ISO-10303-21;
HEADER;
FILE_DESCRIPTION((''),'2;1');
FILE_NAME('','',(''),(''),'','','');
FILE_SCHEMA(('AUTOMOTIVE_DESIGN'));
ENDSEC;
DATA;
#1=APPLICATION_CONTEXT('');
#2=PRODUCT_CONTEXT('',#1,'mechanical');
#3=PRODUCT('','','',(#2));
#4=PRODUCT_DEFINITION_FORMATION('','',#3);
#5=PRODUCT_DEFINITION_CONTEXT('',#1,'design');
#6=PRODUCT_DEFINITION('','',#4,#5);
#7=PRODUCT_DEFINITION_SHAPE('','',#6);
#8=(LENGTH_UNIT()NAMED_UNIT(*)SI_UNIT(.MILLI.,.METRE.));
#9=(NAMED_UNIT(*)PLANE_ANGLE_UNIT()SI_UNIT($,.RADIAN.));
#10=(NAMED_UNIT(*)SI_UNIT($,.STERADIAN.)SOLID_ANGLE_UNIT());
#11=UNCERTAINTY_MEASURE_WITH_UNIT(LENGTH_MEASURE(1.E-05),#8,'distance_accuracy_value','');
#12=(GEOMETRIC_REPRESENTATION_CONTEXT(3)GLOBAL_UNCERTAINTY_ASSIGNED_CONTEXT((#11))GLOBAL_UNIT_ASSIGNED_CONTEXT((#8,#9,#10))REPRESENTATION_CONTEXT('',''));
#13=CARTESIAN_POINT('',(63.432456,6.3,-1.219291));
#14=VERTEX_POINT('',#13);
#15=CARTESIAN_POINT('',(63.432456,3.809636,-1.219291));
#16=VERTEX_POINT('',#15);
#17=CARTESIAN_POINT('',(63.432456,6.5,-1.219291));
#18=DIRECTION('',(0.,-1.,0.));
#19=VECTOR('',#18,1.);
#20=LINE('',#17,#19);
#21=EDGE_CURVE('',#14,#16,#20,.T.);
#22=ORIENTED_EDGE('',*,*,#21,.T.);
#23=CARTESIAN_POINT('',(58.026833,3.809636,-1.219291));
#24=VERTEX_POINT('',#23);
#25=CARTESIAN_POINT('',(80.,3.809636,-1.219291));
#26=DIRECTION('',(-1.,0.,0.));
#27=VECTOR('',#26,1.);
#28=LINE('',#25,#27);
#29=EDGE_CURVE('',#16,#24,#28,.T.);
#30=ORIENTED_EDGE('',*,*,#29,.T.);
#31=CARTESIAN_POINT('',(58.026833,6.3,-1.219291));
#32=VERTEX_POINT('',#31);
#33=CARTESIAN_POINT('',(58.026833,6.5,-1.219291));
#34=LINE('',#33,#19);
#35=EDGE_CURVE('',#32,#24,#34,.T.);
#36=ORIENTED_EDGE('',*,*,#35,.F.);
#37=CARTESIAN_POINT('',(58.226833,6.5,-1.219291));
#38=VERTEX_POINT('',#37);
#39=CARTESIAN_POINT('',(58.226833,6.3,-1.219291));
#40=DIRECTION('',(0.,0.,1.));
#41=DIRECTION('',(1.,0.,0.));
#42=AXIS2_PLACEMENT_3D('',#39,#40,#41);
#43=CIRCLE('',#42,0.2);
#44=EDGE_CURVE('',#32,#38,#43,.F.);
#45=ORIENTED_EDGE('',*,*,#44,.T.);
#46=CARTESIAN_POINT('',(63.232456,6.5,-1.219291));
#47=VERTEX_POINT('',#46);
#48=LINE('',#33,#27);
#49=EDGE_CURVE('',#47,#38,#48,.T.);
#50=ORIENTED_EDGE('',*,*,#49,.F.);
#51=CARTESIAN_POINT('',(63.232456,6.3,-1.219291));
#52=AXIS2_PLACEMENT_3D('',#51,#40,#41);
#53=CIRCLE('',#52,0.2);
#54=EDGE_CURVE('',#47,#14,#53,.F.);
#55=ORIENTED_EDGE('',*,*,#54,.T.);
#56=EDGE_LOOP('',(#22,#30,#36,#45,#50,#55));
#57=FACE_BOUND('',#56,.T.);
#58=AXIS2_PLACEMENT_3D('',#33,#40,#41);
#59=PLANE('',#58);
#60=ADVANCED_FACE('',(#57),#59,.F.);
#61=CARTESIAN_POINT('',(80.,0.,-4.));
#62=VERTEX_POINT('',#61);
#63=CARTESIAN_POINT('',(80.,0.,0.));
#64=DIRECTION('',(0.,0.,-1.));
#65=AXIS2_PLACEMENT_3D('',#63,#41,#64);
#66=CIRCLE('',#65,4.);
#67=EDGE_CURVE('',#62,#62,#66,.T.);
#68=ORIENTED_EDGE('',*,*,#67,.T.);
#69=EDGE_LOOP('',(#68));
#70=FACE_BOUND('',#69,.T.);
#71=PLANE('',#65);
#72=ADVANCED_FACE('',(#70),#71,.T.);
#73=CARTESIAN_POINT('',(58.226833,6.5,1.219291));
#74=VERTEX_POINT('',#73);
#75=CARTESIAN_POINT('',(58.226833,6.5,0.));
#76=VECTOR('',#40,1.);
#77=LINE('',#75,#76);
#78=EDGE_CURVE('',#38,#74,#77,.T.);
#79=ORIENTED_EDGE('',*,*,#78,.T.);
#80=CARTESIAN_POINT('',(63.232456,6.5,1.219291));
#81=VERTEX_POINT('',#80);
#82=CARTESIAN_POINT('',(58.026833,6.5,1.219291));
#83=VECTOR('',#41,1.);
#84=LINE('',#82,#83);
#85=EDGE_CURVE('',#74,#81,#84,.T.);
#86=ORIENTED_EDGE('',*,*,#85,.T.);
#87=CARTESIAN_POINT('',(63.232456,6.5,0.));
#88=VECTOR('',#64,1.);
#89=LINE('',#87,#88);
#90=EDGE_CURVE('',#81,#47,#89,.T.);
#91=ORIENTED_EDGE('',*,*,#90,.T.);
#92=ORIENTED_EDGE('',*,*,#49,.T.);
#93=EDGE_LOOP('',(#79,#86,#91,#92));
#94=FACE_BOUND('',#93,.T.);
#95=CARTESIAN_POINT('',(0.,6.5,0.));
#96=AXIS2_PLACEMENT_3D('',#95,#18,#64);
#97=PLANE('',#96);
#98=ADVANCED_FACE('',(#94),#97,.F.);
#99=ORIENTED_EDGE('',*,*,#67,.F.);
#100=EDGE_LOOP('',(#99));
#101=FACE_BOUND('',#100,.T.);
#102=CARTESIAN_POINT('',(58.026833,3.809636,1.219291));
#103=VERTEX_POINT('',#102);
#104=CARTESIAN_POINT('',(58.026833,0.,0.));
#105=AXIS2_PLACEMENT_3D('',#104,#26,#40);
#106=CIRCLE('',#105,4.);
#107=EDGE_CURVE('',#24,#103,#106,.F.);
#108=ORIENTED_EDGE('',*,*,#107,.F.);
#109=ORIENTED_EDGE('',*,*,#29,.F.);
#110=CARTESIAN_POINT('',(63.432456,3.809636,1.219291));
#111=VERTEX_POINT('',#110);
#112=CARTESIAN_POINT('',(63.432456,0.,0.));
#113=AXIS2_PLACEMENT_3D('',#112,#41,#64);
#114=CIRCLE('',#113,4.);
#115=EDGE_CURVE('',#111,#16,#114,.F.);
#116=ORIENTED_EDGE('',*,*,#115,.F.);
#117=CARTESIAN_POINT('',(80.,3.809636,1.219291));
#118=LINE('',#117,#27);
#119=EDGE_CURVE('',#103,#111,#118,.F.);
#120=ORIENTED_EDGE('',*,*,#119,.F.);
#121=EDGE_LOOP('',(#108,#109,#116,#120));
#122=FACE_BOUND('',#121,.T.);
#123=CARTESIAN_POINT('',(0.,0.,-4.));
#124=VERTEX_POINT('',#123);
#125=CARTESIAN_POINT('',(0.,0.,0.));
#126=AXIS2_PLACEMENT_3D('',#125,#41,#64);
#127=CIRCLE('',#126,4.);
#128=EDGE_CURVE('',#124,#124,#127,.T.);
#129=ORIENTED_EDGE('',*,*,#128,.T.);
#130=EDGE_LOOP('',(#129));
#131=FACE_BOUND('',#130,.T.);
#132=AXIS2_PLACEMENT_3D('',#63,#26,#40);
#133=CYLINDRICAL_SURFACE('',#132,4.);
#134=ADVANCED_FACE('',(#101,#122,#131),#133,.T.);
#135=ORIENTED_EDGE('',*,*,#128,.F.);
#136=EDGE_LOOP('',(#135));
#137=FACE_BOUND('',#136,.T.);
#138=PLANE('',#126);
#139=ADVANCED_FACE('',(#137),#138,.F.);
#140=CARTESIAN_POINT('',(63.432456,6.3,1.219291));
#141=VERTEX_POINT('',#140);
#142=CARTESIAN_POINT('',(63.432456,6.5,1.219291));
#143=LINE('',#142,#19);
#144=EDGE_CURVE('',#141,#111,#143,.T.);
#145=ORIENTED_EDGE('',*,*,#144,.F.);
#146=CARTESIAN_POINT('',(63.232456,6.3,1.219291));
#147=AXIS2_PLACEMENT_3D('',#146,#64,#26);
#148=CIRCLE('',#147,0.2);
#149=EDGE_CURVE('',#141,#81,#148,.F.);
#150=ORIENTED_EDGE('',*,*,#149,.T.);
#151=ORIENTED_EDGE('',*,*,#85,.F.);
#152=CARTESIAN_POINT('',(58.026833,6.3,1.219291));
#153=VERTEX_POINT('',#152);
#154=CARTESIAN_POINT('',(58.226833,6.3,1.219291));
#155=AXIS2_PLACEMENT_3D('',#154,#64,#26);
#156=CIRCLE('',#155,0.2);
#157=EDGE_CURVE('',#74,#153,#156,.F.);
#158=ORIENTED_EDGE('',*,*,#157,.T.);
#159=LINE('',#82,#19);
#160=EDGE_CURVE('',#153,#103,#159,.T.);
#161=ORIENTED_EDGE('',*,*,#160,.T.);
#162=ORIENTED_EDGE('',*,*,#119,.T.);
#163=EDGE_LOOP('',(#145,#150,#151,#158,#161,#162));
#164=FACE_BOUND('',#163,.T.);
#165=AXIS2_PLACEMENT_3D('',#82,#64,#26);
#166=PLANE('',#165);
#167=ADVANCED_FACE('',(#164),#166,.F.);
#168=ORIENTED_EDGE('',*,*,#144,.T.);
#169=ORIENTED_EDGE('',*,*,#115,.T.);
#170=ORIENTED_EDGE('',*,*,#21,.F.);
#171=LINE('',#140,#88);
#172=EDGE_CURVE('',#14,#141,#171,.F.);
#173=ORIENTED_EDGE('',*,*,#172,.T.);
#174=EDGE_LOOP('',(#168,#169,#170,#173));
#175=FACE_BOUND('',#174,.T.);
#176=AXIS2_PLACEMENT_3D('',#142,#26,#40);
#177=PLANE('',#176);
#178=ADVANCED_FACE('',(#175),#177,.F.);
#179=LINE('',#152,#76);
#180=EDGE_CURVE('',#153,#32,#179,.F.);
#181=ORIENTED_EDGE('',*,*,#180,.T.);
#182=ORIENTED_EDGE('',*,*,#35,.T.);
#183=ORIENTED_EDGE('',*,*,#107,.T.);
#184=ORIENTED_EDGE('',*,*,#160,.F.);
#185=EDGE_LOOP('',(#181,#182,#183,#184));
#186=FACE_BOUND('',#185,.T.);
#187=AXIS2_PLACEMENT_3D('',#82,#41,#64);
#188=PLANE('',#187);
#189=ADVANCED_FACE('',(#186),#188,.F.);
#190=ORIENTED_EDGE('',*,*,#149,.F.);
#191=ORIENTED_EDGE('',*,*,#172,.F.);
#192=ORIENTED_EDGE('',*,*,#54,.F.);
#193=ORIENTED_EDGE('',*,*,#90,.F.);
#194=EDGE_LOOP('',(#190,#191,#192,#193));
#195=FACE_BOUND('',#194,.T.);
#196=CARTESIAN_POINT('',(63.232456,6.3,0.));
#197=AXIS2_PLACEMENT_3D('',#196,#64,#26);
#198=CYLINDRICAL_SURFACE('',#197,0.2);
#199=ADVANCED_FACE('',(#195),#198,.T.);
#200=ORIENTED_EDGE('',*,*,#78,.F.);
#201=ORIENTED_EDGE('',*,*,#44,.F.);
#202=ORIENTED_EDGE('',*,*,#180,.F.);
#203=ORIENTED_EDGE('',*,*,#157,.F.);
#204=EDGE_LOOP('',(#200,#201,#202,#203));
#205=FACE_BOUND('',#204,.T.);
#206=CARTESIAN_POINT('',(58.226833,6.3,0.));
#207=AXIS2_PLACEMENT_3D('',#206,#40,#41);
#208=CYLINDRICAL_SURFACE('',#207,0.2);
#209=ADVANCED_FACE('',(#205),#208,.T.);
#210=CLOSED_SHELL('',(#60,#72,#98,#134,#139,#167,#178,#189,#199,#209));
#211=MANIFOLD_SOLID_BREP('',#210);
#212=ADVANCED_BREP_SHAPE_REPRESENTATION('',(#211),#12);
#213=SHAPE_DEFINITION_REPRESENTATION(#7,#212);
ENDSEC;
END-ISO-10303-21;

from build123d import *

# Parameters (mm, degrees)
SKETCH1_R                            = 4
BOSS_EXTRUDE1_DEPTH                  = 80
SKETCH2_W                            = 5.405623026
SKETCH2_H                            = 2.438582992
BOSS_EXTRUDE3_DEPTH                  = 2.5
BOSS_EXTRUDE3_DIRECTION_2_REACH      = 82.498
BOSS_EXTRUDE3_DIRECTION_2_END_RADIUS = 4
FILLET2_R                            = 0.2


with BuildPart() as part:
    # Sketch1 → Boss-Extrude1 (new body)
    with BuildSketch(Plane(origin=(0, 0, 0), x_dir=(0, 0, -1), z_dir=(1, 0, 0))):
        Circle(SKETCH1_R)
    extrude(amount=BOSS_EXTRUDE1_DEPTH)

    # Sketch2 → Boss-Extrude3 (add)
    with BuildSketch(Plane(origin=(0, 4, 0), x_dir=(1, 0, 0), z_dir=(0, 1, 0))):
        with Locations((60.729644263, 0)):
            Rectangle(SKETCH2_W, SKETCH2_H)
    extrude(amount=BOSS_EXTRUDE3_DEPTH)

    # Boss-Extrude3 direction 2: up to this cylinder (the profile starts outside it)
    boss_extrude3_direction_2_end = Plane(origin=(60.729644, 0, 0), z_dir=(-1, 0, 0)) * Cylinder(BOSS_EXTRUDE3_DIRECTION_2_END_RADIUS, 173.996, mode=Mode.PRIVATE)
    # Sketch2 → Boss-Extrude3 direction 2 (add, up to the surface)
    with BuildSketch(Plane(origin=(0, 4, 0), x_dir=(1, 0, 0), z_dir=(0, 1, 0)), mode=Mode.PRIVATE) as boss_extrude3_direction_2_sk1:
        with Locations((60.729644263, 0)):
            Rectangle(SKETCH2_W, SKETCH2_H)
    boss_extrude3_direction_2_tool1 = extrude(boss_extrude3_direction_2_sk1.sketch, amount=-BOSS_EXTRUDE3_DIRECTION_2_REACH, mode=Mode.PRIVATE) - boss_extrude3_direction_2_end
    add(boss_extrude3_direction_2_tool1.solids().sort_by_distance((60.729644, 4, 0))[0])
    add(boss_extrude3_direction_2_tool1.solids().sort_by_distance((60.729644, 4, 0))[1])

    # Fillet2
    fillet2_edges = [part.edges().sort_by_distance(p)[0] for p in [
        (63.432455776, 6.5, 0),
        (58.02683275, 6.5, 0),
    ]]
    fillet(fillet2_edges, radius=FILLET2_R)


solid = part.part
